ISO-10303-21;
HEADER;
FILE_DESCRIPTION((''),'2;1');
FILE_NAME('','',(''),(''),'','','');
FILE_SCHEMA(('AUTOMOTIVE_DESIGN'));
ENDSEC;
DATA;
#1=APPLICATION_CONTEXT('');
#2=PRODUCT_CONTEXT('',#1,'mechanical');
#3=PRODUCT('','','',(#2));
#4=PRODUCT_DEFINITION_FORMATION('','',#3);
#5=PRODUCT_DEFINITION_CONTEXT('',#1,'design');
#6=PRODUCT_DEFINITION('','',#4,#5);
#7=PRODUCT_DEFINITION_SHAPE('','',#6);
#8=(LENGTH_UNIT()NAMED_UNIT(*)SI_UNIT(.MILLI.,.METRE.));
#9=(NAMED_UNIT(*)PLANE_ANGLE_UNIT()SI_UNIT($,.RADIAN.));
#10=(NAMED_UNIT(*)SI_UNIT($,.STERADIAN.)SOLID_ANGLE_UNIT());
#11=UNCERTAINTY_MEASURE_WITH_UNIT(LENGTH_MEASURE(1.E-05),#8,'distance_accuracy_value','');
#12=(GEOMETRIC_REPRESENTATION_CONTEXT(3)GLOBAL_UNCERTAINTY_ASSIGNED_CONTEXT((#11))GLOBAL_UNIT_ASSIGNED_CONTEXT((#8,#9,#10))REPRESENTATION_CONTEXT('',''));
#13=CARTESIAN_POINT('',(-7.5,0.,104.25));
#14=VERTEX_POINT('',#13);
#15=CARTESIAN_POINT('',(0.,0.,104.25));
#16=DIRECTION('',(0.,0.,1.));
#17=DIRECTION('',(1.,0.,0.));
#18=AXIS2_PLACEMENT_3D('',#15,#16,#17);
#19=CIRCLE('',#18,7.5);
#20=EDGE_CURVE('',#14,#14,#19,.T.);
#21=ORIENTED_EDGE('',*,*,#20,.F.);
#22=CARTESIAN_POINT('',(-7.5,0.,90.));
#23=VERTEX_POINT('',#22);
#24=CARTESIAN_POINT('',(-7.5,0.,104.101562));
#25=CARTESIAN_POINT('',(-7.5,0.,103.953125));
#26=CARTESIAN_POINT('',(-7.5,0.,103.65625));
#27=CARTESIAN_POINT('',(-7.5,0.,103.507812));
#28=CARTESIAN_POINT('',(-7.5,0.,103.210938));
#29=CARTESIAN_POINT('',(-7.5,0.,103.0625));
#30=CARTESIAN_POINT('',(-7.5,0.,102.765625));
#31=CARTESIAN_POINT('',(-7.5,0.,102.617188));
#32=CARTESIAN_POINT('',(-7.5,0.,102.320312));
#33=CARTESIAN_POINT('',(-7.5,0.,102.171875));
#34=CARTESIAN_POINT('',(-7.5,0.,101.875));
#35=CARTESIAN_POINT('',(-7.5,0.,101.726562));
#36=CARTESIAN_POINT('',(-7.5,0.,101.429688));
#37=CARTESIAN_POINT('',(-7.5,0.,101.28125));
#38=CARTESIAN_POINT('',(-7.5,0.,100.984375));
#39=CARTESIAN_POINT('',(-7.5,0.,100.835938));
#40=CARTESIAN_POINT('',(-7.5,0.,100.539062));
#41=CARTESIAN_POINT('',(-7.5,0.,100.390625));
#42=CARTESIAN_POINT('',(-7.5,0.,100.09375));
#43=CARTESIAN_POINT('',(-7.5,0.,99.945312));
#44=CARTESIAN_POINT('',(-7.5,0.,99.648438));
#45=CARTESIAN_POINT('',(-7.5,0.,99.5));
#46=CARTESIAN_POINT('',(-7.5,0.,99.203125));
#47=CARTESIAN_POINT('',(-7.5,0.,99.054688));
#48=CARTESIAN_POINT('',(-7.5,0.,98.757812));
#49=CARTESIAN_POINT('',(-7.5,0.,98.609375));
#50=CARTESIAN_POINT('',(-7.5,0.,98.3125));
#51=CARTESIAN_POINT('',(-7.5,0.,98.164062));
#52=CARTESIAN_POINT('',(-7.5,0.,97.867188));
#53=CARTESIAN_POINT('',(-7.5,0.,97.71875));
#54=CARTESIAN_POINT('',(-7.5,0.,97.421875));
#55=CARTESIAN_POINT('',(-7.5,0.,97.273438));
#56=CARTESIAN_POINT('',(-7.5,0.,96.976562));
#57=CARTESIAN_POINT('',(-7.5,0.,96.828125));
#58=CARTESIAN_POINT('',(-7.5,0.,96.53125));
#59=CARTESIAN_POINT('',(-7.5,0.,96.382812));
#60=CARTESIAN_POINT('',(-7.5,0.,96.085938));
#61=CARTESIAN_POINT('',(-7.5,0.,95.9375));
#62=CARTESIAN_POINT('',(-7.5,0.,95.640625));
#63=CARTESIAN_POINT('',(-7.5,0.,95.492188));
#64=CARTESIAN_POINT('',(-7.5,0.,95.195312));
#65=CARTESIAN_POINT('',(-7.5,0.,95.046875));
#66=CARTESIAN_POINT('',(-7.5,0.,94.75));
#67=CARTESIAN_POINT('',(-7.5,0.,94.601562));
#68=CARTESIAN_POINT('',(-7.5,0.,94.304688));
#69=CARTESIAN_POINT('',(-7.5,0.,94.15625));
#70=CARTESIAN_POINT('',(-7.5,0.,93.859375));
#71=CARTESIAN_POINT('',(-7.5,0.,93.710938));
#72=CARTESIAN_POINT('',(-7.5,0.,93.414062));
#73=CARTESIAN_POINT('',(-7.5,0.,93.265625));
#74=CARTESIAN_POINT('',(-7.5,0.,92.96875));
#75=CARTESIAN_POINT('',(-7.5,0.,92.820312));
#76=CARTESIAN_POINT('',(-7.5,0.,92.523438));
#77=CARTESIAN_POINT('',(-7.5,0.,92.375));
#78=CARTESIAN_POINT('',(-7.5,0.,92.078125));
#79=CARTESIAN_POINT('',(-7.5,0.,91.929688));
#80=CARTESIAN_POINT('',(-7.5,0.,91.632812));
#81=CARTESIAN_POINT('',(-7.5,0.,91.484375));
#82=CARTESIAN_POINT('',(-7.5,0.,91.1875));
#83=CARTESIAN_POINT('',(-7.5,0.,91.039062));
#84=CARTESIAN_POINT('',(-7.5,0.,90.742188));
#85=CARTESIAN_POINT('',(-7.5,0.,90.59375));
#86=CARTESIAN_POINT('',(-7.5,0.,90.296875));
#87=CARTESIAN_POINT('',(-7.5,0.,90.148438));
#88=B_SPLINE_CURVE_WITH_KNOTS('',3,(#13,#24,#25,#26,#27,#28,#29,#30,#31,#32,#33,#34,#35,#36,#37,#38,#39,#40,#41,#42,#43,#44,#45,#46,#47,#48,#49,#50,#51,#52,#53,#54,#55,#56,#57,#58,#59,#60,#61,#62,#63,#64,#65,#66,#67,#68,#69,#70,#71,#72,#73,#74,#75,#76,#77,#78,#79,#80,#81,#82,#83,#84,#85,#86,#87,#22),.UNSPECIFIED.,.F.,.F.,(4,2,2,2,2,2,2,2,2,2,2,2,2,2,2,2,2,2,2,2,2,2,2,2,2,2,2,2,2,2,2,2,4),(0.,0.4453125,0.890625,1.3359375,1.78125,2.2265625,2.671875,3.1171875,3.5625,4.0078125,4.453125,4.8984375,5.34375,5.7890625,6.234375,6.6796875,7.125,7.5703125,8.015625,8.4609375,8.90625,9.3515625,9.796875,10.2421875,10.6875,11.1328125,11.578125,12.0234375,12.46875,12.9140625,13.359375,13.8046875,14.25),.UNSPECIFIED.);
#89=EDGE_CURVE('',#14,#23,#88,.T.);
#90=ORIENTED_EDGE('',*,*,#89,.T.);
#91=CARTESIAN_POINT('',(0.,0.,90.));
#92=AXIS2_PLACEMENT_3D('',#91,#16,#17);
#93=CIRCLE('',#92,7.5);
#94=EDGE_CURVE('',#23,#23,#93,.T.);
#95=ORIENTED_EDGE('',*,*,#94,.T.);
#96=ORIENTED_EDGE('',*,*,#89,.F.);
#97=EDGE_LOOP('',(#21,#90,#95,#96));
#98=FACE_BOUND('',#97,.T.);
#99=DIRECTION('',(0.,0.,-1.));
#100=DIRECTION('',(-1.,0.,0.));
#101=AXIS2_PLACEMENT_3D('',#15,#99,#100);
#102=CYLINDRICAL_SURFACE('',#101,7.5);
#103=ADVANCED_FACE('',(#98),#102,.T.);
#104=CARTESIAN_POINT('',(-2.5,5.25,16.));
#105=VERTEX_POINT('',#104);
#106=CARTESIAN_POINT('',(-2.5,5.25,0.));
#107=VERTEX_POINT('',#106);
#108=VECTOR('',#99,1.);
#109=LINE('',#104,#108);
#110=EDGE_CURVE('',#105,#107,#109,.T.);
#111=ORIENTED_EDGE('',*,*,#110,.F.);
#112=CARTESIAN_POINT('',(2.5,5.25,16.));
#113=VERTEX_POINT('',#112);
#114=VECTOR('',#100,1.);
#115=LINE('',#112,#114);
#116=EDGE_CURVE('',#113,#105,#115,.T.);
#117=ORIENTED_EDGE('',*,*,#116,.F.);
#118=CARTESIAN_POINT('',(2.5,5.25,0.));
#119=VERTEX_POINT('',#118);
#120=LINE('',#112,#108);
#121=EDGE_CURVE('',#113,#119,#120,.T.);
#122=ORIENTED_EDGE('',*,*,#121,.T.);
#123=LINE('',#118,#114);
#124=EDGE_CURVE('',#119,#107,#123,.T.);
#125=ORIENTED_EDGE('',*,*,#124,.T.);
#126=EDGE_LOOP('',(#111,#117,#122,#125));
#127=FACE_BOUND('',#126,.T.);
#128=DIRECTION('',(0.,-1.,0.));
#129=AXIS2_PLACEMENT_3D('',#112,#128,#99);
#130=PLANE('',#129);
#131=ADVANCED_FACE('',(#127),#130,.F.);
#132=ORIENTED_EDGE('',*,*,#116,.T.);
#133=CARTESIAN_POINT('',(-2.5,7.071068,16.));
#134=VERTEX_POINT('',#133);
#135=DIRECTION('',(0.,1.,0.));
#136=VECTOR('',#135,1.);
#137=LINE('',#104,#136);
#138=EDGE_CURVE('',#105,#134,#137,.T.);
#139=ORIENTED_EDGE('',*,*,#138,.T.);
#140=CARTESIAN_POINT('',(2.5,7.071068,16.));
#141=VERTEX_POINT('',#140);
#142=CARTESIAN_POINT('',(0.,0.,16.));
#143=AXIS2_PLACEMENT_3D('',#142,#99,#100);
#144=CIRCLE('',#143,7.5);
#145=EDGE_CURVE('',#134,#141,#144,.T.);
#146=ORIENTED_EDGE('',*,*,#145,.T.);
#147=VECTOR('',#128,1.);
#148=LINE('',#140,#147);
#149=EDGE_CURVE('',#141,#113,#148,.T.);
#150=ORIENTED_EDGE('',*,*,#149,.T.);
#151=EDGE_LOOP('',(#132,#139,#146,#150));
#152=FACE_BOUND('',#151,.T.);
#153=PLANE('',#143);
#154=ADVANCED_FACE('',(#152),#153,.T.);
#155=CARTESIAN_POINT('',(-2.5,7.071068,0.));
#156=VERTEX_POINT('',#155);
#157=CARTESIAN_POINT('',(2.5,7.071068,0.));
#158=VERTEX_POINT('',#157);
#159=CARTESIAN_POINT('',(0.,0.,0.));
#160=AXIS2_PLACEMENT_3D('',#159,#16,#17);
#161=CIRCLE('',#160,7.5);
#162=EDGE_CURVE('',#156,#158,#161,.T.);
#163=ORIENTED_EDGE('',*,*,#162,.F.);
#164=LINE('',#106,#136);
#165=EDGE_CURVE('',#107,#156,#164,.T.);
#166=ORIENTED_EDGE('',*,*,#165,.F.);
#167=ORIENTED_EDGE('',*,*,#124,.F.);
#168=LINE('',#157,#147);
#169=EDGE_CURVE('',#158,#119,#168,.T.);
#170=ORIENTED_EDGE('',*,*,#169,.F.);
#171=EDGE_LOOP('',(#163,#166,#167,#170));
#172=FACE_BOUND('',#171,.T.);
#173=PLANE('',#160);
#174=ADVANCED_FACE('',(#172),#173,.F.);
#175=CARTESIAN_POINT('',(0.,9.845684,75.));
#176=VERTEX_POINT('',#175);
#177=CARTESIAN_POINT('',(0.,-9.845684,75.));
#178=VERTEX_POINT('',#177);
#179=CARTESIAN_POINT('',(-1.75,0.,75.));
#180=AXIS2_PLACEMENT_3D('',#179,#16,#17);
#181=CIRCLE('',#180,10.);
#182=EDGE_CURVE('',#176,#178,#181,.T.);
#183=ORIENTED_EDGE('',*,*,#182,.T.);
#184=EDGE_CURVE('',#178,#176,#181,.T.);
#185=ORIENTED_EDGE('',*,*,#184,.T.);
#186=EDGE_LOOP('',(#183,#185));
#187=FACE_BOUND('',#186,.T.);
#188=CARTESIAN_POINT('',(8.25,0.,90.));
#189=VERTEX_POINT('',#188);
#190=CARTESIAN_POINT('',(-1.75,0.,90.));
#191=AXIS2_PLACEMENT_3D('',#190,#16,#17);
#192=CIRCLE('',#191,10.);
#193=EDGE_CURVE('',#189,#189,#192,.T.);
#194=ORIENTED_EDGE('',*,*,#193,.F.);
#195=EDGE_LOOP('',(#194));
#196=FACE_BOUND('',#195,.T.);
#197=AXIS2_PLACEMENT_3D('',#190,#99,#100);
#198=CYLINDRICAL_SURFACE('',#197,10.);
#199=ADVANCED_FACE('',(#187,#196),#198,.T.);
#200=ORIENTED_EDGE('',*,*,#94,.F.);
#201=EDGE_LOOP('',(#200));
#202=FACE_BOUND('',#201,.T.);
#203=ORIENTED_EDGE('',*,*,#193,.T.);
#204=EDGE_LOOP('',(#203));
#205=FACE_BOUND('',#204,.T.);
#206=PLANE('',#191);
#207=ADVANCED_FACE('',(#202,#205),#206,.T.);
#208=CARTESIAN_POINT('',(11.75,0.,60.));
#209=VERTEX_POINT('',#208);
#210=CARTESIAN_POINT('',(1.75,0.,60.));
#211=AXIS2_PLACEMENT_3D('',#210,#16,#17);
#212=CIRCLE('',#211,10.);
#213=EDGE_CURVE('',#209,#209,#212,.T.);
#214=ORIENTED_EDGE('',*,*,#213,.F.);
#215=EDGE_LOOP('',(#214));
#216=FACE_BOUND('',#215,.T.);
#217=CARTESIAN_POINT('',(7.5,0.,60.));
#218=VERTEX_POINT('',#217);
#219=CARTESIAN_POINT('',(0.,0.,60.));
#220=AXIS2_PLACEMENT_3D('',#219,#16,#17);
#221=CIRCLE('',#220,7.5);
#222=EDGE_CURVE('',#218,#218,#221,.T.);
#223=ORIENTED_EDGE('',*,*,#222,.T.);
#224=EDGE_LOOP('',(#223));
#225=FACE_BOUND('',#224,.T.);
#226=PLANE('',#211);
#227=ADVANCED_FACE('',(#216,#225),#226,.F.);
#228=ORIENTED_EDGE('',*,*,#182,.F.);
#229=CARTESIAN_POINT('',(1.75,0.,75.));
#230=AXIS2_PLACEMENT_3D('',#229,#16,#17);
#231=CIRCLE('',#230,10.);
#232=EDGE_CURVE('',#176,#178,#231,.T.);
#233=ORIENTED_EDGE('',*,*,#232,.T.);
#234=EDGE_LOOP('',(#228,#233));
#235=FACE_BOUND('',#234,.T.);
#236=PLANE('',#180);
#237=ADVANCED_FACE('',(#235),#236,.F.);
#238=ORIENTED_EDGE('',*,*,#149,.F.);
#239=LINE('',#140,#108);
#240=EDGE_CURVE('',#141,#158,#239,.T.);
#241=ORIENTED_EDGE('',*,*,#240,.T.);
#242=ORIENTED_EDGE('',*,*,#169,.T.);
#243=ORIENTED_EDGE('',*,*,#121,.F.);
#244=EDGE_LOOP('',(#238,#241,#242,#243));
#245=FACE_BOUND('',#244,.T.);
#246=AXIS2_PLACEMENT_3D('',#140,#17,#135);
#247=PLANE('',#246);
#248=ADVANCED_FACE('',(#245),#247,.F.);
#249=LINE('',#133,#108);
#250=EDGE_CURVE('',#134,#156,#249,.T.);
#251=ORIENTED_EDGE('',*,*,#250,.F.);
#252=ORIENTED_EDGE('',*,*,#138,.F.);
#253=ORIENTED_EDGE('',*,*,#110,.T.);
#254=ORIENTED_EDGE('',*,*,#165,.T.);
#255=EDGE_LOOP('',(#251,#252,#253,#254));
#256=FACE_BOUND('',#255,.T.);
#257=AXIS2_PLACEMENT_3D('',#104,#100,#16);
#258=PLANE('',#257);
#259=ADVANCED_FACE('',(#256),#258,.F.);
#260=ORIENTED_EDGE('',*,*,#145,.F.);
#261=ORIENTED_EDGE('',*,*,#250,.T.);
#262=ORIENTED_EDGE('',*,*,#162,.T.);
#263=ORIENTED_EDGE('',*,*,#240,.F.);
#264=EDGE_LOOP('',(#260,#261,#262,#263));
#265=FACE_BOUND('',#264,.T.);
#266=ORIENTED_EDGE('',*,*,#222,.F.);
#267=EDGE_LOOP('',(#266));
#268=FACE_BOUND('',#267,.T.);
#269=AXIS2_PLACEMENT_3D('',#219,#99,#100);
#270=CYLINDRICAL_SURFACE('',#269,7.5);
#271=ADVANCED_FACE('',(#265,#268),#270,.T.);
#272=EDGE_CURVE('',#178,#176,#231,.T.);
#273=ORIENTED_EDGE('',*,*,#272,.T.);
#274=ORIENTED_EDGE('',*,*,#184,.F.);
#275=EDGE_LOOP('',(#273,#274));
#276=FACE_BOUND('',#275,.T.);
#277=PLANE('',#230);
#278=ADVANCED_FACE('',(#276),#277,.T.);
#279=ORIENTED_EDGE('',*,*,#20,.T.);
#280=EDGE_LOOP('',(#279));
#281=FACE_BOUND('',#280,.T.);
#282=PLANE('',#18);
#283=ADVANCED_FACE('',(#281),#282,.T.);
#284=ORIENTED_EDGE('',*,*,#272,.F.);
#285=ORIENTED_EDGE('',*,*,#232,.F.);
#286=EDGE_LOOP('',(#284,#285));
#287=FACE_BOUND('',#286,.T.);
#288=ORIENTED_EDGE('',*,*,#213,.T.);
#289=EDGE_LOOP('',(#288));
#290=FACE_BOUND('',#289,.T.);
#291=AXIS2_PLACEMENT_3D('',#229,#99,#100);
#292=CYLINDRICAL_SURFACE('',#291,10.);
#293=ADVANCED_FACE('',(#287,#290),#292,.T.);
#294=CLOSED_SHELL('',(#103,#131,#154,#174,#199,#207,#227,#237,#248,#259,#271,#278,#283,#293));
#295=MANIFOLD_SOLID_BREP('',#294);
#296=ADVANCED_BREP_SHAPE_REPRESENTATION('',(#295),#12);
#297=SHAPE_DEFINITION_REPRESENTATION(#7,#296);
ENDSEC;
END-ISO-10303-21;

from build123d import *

# Parameters (mm, degrees)
ESQUISSE2_R             = 7.5
BOSS_EXTRU_1_DEPTH      = 60
ESQUISSE3_R             = 10
BOSS_EXTRU_2_DEPTH      = 15
ESQUISSE4_R             = 10
BOSS_EXTRU_3_DEPTH      = 15
ESQUISSE5_R             = 7.5
BOSS_EXTRU_4_DEPTH      = 14.25
ENL_V_MAT_EXTRU_1_DEPTH = 16


with BuildPart() as part:
    # Esquisse2 → Boss.-Extru.1 (new body)
    with BuildSketch(Plane.XY):
        Circle(ESQUISSE2_R)
    extrude(amount=BOSS_EXTRU_1_DEPTH)

    # Esquisse3 → Boss.-Extru.2 (add)
    with BuildSketch(Plane.XY.offset(60)):
        with Locations((1.75, 0)):
            Circle(ESQUISSE3_R)
    extrude(amount=BOSS_EXTRU_2_DEPTH)

    # Esquisse4 → Boss.-Extru.3 (add)
    with BuildSketch(Plane.XY.offset(75)):
        with Locations(Location((-1.75, 0, 0), (0, 0, 280.078658108))):
            Circle(ESQUISSE4_R)
    extrude(amount=BOSS_EXTRU_3_DEPTH)

    # Esquisse5 → Boss.-Extru.4 (add)
    with BuildSketch(Plane.XY.offset(90)):
        Circle(ESQUISSE5_R)
    extrude(amount=BOSS_EXTRU_4_DEPTH)

    # Esquisse6 → Enlèv. mat.-Extru.1 (cut)
    with BuildSketch(Plane(origin=(0, 0, 0), x_dir=(-1, 0, 0), z_dir=(0, 0, -1))):
        with BuildLine():
            Line((-2.5, 7.071067812), (-2.5, 5.25))
            Line((-2.5, 5.25), (2.5, 5.25))
            Line((2.5, 5.25), (2.5, 7.071067812))
            ThreePointArc((2.5, 7.071067812), (0, 7.5), (-2.5, 7.071067812))
        make_face()
    extrude(amount=-ENL_V_MAT_EXTRU_1_DEPTH, mode=Mode.SUBTRACT)


solid = part.part
